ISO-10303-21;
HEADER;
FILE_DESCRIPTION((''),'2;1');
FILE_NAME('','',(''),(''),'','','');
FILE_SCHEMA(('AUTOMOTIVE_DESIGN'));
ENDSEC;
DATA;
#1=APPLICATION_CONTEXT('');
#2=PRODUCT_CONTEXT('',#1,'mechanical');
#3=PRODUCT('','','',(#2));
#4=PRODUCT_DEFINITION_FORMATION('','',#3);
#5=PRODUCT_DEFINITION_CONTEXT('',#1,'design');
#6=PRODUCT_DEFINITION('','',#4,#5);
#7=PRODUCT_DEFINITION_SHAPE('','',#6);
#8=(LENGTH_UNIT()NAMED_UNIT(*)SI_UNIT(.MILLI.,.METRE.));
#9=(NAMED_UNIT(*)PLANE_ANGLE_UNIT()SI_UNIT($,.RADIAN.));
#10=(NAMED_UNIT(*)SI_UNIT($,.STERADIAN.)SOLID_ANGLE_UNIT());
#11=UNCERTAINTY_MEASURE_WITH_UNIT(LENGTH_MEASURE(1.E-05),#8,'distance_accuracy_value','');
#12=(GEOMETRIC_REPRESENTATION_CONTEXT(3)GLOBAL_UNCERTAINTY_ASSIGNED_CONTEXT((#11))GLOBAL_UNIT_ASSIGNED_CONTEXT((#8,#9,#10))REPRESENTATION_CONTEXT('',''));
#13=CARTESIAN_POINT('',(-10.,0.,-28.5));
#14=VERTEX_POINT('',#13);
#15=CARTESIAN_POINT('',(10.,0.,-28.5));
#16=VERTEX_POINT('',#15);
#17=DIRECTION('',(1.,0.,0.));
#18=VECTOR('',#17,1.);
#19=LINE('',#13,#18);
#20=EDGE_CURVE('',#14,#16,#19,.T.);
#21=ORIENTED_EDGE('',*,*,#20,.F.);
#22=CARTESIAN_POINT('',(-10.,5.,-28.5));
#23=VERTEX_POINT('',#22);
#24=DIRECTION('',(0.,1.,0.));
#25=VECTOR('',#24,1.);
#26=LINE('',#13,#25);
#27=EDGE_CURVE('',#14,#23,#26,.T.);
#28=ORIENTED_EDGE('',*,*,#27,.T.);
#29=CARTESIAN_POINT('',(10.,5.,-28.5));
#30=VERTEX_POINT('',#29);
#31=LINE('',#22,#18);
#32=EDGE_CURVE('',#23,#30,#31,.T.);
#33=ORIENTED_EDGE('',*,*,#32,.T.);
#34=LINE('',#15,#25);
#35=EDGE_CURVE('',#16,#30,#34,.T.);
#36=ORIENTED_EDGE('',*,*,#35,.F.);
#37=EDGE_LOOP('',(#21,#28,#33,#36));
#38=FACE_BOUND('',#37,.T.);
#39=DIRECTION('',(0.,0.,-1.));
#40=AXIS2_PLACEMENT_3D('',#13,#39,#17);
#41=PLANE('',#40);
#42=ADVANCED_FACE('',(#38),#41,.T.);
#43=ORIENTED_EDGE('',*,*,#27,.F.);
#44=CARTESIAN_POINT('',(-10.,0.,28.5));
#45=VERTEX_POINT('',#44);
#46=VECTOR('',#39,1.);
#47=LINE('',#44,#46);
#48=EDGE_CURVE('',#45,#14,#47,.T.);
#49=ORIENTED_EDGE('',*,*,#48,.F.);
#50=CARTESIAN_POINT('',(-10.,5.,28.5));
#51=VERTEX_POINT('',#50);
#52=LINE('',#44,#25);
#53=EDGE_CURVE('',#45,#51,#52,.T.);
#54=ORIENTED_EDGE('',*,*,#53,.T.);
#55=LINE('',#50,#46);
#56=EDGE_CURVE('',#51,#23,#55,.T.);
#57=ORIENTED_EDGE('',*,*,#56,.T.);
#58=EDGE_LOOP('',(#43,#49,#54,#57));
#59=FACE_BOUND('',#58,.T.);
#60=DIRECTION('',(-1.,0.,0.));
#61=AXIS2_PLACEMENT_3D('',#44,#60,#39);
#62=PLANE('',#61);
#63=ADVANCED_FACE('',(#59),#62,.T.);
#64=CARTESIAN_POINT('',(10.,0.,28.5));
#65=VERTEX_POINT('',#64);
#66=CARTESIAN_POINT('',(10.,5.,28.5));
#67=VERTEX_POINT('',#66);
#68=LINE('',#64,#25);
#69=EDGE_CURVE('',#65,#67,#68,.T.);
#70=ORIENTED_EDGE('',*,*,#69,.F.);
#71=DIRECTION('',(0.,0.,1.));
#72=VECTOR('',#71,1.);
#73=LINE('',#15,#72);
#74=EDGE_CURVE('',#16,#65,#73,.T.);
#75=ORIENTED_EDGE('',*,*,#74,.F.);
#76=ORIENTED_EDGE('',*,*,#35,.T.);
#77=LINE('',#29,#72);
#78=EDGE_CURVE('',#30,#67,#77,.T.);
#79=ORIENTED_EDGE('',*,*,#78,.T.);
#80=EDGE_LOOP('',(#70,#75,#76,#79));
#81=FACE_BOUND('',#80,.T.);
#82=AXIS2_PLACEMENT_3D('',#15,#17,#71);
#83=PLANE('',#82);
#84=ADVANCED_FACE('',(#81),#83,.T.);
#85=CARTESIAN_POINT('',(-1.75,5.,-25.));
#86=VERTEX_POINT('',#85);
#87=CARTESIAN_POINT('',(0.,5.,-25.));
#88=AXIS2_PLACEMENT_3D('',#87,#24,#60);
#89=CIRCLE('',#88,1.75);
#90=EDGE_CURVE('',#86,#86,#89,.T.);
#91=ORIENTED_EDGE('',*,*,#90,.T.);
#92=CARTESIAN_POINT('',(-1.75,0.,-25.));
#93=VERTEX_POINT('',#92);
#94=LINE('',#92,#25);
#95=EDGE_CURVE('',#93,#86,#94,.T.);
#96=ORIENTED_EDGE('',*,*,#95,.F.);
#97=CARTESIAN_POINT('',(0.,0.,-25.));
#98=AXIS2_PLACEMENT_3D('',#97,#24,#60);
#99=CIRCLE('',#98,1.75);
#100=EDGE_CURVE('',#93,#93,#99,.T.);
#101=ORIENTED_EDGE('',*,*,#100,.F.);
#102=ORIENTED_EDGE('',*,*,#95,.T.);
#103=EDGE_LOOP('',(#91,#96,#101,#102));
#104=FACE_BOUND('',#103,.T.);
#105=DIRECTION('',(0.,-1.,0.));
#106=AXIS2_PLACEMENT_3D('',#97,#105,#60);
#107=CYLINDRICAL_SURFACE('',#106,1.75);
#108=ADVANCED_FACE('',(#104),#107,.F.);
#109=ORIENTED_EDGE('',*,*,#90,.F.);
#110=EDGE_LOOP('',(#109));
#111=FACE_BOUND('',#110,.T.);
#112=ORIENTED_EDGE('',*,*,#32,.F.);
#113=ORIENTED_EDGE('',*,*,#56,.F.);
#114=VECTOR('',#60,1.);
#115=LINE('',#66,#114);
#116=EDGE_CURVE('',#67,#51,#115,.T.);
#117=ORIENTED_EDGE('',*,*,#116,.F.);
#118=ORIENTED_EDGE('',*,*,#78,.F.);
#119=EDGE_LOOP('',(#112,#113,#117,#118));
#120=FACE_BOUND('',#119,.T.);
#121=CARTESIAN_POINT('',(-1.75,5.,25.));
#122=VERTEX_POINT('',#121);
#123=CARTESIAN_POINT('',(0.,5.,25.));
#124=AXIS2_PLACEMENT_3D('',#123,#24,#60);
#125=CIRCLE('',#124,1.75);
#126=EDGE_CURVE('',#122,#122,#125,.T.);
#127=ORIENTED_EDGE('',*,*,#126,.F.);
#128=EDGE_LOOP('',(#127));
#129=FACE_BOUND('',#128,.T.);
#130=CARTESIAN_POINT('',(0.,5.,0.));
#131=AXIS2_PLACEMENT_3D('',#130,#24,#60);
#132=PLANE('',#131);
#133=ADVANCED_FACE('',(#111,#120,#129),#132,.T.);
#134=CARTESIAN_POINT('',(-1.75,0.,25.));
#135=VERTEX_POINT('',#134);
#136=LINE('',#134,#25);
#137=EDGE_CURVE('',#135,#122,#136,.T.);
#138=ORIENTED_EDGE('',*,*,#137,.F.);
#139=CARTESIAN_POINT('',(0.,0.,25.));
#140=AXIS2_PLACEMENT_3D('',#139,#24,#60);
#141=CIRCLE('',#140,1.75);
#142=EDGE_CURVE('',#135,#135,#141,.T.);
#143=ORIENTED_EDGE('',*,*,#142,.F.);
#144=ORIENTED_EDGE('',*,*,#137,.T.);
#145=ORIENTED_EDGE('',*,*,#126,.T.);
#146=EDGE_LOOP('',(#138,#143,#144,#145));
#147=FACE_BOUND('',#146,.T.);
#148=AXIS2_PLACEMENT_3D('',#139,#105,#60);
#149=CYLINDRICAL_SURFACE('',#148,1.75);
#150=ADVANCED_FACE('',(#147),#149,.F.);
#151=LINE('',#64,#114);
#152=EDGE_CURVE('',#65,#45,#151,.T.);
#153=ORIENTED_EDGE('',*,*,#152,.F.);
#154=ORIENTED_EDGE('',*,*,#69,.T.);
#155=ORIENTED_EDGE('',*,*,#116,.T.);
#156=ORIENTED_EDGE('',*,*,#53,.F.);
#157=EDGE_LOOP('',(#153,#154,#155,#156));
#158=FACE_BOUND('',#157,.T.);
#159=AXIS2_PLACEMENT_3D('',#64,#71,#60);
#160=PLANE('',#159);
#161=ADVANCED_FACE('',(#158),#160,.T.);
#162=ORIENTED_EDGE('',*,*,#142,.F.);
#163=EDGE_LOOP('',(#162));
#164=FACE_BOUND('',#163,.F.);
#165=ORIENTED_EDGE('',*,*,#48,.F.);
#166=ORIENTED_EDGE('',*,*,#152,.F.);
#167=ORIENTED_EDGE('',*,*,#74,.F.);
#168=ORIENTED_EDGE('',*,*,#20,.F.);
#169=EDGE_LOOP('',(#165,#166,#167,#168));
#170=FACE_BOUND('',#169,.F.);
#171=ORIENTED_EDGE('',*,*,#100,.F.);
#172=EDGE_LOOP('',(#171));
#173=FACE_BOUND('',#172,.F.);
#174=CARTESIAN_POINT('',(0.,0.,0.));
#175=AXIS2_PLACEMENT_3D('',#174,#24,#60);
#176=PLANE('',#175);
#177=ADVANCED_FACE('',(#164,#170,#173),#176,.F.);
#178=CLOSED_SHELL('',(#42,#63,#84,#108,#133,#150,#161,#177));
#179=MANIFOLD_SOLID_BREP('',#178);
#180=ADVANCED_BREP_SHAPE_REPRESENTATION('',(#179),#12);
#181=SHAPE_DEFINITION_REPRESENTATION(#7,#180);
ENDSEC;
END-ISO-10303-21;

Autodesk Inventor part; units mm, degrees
ref_plane "YZ Plane" through (0, 0, 0) normal (1, 0, 0) x (0, 1, 0)
ref_plane "XZ Plane" through (0, 0, 0) normal (0, 1, 0) x (-1, 0, 0)
ref_plane "XY Plane" through (0, 0, 0) normal (0, 0, 1) x (1, 0, 0)
sketch "Szkic1" plane through (0, 0, 0) normal (0, 1, 0) x (-1, 0, 0)
  line L0 (-10, 28.5) -> (10, 28.5)
  line L1 (10, 28.5) -> (10, -28.5)
  line L2 (10, -28.5) -> (-10, -28.5)
  line L3 (-10, -28.5) -> (-10, 28.5)
  line L4 (-10, 28.5) -> (10, -28.5) construction
  line L5 (10, 28.5) -> (-10, -28.5) construction
  circle A0 centre (0, 25) radius 1.75
  circle A1 centre (0, -25) radius 1.75
  point P0 (0, 0)
  dimension "d0" = 20
  dimension "d1" = 57
  dimension "d2" = 3.5
  dimension "d3" = 3.5
extrude "Wyciągnięcie proste1" add sketch "Szkic1" along normal blind 5
properties part number "MotorClamp"
